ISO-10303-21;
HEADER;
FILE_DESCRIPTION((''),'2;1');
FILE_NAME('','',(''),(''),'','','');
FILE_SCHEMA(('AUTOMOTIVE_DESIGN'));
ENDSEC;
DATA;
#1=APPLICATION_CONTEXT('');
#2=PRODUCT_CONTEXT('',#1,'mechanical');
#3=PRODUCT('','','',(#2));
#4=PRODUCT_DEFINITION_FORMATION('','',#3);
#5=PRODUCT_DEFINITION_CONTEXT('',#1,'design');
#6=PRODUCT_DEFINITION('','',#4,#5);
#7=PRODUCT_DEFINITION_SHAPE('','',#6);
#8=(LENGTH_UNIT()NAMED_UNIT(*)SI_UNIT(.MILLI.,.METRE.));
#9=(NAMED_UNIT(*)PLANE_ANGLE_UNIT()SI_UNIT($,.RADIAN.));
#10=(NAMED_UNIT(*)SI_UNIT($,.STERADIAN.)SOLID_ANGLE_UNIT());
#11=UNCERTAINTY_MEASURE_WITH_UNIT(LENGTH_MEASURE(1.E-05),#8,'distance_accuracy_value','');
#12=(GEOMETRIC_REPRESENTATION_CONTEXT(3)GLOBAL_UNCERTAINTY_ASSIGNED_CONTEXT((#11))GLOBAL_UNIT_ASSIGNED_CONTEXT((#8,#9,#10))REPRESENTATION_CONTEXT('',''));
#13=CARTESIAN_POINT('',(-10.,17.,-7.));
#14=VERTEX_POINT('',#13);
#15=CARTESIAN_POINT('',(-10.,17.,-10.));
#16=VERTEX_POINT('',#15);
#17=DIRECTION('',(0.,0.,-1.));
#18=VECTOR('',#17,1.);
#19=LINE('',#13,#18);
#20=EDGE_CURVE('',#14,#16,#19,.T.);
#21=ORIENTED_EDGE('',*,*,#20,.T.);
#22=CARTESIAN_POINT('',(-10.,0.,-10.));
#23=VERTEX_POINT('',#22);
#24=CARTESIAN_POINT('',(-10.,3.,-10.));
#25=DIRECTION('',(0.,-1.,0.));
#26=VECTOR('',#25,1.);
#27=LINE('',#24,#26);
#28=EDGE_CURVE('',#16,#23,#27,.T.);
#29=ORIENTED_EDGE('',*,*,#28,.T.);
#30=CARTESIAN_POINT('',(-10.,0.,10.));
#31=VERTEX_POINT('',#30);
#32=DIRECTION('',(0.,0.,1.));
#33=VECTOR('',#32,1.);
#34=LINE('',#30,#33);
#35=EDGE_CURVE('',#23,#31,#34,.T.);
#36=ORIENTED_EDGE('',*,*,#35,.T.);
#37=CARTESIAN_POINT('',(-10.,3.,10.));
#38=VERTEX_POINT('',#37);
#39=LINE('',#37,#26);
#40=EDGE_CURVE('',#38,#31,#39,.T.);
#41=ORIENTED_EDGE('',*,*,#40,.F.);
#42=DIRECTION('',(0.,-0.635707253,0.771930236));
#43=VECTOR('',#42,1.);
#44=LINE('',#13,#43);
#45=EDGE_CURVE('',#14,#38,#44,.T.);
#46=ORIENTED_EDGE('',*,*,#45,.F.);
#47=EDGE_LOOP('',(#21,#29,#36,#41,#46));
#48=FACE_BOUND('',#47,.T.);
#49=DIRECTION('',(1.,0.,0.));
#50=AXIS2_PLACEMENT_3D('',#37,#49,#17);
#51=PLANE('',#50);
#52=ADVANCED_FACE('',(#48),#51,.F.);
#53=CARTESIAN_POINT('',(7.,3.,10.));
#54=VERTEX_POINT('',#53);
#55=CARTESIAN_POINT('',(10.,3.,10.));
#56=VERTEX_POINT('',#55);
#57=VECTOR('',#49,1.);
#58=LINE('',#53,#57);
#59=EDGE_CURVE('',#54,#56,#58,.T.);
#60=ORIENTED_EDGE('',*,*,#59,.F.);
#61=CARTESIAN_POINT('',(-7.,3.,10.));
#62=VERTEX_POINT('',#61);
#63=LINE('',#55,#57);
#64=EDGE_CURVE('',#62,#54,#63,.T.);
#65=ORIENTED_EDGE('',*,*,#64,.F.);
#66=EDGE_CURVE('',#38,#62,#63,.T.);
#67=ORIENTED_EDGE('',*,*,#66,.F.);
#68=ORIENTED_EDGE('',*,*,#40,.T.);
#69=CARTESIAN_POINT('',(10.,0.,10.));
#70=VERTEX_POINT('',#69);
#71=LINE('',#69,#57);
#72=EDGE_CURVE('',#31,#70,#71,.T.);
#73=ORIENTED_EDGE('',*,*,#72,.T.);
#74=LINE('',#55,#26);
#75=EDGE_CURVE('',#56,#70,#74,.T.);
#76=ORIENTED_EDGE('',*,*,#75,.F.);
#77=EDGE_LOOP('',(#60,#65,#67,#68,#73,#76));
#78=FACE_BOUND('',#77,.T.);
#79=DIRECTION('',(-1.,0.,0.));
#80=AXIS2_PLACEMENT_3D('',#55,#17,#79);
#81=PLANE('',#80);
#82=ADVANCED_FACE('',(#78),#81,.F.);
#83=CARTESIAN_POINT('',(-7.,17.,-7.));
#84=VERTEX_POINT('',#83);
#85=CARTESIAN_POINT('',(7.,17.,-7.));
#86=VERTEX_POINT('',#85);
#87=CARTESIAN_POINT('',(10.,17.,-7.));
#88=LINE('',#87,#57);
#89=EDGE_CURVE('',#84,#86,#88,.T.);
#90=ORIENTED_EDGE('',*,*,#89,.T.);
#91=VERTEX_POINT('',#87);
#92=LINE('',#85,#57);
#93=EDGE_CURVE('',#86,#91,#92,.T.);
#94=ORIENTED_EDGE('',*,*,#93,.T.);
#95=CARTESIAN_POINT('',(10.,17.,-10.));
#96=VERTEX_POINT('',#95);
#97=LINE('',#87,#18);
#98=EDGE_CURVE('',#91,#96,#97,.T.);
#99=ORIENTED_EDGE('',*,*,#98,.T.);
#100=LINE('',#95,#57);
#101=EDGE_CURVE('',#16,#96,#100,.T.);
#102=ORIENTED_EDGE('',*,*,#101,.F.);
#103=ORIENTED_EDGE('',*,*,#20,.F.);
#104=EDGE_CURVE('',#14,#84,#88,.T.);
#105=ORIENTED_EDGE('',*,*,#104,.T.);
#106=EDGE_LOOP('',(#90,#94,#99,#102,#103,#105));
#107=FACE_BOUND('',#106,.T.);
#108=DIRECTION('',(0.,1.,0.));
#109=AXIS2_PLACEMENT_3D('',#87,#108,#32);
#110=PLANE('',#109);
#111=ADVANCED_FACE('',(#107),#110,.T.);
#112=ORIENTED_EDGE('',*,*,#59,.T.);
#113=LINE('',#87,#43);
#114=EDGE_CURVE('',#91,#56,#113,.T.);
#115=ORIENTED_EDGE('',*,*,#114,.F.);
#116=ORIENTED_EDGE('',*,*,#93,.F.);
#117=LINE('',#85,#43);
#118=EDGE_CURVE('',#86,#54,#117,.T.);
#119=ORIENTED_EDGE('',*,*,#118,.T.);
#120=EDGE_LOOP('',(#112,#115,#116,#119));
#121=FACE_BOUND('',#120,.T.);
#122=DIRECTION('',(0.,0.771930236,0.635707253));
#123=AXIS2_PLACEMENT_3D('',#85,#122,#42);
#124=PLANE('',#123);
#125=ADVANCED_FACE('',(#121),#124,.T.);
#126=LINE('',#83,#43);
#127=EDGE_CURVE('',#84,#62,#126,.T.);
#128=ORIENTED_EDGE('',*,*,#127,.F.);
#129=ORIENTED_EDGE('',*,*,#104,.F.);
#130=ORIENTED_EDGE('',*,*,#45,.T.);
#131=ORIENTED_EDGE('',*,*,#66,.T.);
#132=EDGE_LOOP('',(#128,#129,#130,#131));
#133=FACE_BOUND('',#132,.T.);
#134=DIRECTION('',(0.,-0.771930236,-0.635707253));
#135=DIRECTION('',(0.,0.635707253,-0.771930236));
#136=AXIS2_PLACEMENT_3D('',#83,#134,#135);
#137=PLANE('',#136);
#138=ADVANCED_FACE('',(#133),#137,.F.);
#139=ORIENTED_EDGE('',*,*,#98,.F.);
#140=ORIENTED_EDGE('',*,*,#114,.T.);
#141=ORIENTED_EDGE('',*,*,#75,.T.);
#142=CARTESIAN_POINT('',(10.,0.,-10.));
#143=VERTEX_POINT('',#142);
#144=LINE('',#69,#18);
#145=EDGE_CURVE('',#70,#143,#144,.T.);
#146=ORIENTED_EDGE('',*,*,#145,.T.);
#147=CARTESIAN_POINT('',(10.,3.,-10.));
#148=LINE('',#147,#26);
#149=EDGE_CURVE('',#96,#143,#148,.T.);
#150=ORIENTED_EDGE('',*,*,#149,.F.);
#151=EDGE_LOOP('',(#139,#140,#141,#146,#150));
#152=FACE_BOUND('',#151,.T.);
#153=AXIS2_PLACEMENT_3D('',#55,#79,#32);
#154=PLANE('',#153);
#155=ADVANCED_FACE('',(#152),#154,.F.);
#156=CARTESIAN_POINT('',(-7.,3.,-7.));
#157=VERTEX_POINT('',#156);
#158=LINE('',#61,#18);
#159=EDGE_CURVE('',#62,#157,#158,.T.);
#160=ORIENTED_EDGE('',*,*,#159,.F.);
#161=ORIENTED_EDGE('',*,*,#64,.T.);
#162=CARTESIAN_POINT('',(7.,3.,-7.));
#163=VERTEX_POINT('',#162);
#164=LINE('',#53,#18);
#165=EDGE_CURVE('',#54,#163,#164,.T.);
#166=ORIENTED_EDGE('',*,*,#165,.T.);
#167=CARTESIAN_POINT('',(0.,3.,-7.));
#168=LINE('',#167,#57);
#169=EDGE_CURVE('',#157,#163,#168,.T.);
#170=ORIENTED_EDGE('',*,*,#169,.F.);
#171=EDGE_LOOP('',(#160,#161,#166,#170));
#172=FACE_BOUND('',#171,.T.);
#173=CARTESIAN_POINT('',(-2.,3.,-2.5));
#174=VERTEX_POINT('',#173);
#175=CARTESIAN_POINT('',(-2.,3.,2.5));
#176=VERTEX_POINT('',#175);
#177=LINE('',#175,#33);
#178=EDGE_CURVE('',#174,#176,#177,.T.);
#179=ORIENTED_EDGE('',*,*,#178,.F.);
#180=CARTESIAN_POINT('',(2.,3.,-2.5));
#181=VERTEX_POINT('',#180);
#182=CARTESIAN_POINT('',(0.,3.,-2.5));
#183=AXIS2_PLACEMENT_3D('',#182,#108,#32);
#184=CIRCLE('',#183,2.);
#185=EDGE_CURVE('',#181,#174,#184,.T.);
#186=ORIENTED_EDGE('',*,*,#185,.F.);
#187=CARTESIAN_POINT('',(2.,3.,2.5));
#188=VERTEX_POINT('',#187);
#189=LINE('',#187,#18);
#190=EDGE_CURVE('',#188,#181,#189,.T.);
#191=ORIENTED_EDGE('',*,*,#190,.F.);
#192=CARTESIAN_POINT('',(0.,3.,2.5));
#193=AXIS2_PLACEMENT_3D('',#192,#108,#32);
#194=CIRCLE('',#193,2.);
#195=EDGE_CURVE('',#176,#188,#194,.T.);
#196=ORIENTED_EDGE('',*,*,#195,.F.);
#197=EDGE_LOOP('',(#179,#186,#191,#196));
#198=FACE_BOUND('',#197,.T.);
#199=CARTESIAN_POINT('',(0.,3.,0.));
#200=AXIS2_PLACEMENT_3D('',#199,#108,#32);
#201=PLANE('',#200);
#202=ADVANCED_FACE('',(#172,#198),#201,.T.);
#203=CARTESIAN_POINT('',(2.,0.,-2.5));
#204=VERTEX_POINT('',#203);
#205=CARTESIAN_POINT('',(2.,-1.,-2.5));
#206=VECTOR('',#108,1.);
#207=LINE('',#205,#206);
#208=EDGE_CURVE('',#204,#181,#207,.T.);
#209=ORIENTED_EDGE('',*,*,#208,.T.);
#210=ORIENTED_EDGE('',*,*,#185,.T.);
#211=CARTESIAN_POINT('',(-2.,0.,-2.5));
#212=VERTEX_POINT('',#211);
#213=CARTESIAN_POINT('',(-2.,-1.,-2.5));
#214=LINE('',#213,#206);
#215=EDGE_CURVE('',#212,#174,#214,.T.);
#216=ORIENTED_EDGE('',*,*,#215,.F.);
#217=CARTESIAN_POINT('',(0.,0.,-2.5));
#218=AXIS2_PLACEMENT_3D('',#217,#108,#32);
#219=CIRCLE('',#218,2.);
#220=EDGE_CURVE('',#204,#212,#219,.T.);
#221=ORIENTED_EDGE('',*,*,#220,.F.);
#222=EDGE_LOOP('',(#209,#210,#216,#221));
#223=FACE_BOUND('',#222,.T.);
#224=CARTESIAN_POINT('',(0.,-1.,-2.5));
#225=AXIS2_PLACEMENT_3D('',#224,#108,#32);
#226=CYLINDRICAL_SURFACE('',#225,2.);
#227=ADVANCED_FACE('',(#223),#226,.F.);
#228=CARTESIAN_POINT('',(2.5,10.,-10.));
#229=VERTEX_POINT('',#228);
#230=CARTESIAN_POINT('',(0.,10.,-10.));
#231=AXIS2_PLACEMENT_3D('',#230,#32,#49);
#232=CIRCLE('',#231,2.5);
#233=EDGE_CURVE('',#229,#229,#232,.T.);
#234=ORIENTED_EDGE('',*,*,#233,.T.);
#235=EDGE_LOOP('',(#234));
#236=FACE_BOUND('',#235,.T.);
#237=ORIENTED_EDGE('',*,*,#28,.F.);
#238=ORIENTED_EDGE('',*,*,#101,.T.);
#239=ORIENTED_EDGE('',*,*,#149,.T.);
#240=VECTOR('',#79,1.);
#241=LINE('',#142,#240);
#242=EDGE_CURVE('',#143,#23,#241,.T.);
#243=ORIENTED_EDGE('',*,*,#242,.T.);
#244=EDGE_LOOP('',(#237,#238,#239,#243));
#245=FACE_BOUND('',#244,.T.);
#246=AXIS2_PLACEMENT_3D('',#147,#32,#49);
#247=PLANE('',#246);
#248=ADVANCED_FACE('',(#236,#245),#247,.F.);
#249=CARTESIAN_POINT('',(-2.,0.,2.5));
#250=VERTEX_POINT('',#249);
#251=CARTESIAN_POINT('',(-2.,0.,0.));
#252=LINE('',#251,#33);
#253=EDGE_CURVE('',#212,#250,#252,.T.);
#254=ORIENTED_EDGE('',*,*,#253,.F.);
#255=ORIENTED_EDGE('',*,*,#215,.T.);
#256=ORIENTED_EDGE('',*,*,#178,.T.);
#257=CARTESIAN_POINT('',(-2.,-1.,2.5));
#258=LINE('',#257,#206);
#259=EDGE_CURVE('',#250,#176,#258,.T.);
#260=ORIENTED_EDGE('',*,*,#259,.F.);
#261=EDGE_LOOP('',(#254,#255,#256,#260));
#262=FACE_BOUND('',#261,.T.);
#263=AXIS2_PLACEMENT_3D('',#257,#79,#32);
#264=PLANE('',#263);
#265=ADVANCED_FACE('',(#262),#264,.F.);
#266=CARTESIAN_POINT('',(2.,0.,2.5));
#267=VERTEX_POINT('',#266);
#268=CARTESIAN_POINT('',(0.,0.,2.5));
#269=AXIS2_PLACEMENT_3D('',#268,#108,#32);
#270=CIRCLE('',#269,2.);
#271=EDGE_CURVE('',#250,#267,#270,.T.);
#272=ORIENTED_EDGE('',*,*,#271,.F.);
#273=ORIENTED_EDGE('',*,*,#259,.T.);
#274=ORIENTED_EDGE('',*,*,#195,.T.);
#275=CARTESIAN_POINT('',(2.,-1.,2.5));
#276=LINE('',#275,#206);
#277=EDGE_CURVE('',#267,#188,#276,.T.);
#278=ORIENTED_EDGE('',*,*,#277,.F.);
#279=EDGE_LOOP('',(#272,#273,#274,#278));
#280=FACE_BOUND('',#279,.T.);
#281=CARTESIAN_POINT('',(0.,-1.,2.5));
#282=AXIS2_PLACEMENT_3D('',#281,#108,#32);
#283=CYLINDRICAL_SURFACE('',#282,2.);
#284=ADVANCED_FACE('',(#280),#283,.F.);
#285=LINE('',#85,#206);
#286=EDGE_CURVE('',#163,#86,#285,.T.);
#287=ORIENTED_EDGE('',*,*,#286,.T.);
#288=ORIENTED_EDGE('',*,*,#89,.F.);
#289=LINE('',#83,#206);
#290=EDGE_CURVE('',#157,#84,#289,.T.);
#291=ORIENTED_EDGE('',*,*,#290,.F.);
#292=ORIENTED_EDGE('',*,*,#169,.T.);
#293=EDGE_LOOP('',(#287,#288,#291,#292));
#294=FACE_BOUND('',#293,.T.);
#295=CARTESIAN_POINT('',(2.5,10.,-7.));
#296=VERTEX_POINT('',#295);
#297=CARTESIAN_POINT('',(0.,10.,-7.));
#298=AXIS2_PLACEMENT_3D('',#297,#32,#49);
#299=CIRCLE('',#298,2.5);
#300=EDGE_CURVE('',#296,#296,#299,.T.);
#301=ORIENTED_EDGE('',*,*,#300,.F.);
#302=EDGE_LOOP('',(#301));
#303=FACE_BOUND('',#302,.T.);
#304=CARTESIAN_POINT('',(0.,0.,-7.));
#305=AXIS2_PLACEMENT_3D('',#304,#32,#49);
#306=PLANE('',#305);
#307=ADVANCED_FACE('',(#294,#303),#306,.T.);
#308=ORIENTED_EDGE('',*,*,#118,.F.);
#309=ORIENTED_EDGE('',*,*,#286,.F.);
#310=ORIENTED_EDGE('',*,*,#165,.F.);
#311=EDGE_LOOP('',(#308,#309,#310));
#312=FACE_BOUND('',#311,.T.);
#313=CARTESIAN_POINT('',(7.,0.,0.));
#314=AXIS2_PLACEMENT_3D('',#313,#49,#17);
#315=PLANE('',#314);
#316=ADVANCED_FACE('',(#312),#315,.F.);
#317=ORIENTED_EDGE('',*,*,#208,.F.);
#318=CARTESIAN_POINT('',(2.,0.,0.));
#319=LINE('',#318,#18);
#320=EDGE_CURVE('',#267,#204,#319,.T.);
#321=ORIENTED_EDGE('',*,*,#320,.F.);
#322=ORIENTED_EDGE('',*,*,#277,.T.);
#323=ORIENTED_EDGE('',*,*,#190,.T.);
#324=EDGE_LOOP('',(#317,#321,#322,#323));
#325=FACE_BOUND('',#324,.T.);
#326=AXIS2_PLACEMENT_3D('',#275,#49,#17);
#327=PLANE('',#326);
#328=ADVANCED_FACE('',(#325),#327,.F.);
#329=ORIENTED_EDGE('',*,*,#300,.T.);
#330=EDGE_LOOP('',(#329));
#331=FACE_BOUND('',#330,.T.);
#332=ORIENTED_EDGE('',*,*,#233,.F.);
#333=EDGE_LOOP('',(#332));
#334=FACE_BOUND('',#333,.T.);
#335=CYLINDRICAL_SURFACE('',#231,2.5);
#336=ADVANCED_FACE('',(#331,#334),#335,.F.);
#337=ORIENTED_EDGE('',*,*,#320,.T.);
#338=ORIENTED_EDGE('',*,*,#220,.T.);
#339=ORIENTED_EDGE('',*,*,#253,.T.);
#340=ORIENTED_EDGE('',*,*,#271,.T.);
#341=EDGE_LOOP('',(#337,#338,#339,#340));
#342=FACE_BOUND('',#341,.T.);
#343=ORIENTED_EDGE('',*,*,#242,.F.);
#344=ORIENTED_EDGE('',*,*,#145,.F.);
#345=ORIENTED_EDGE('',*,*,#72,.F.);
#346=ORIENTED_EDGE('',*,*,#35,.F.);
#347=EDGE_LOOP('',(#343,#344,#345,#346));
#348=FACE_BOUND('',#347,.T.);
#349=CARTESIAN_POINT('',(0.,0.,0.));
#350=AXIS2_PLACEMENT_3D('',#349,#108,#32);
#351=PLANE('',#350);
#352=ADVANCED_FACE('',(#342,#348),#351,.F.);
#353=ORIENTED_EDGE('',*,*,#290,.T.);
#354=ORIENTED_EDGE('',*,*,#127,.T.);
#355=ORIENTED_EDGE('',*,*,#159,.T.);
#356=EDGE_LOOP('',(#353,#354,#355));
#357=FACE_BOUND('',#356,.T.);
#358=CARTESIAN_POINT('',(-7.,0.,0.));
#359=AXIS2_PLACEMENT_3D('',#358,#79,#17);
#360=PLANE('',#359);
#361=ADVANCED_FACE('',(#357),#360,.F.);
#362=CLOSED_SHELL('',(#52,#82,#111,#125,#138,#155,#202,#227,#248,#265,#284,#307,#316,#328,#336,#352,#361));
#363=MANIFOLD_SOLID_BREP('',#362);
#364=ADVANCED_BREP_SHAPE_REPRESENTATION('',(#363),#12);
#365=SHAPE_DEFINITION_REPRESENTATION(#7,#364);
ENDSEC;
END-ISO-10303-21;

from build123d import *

# Parameters (mm, degrees)
SKETCH1_W           = 20
SKETCH1_H           = 20
BOSS_EXTRUDE1_DEPTH = 3
SKETCH2_W           = 20
SKETCH2_H           = 17
BOSS_EXTRUDE2_DEPTH = 3
BOSS_EXTRUDE3_DEPTH = 3
SKETCH4_R           = 2.5
CUT_EXTRUDE1_DEPTH  = 27.038433133
CUT_EXTRUDE2_DEPTH  = 4


with BuildPart() as part:
    # Sketch1 → Boss-Extrude1 (new body)
    with BuildSketch(Plane(origin=(0, 0, 0), x_dir=(1, 0, 0), z_dir=(0, 1, 0))):
        Rectangle(SKETCH1_W, SKETCH1_H)
    extrude(amount=BOSS_EXTRUDE1_DEPTH)

    # Sketch2 → Boss-Extrude2 (add)
    with BuildSketch(Plane(origin=(0, 0, -10), x_dir=(-1, 0, 0), z_dir=(0, 0, -1))):
        with Locations((0, 8.5)):
            Rectangle(SKETCH2_W, SKETCH2_H)
    extrude(amount=-BOSS_EXTRUDE2_DEPTH)

    # Sketch3 → Boss-Extrude3 (add)
    with BuildSketch(Plane(origin=(10, 0, 0), x_dir=(0, 0, -1), z_dir=(1, 0, 0))):
        Polygon((7, 17), (7, 3), (-10, 3), align=None)
    boss_extrude3 = extrude(amount=-BOSS_EXTRUDE3_DEPTH)

    # Mirror1: Boss-Extrude3 across plane
    add(boss_extrude3.mirror(Plane(origin=(0, 0, 0), x_dir=(0, 0, 1), z_dir=(1, 0, 0))))

    # Sketch4 → Cut-Extrude1 (cut, through all)
    with BuildSketch(Plane.XY.offset(-7)):
        with Locations((0, 10)):
            Circle(SKETCH4_R)
    extrude(amount=-CUT_EXTRUDE1_DEPTH, mode=Mode.SUBTRACT)

    # Sketch5 → Cut-Extrude2 (cut)
    with BuildSketch(Plane(origin=(0, 3, 0), x_dir=(1, 0, 0), z_dir=(0, 1, 0))):
        with BuildLine():
            Line((-2, -2.5), (-2, 2.5))
            ThreePointArc((-2, 2.5), (0, 4.5), (2, 2.5))
            Line((2, 2.5), (2, -2.5))
            ThreePointArc((2, -2.5), (0, -4.5), (-2, -2.5))
        make_face()
    extrude(amount=-CUT_EXTRUDE2_DEPTH, mode=Mode.SUBTRACT)


solid = part.part
